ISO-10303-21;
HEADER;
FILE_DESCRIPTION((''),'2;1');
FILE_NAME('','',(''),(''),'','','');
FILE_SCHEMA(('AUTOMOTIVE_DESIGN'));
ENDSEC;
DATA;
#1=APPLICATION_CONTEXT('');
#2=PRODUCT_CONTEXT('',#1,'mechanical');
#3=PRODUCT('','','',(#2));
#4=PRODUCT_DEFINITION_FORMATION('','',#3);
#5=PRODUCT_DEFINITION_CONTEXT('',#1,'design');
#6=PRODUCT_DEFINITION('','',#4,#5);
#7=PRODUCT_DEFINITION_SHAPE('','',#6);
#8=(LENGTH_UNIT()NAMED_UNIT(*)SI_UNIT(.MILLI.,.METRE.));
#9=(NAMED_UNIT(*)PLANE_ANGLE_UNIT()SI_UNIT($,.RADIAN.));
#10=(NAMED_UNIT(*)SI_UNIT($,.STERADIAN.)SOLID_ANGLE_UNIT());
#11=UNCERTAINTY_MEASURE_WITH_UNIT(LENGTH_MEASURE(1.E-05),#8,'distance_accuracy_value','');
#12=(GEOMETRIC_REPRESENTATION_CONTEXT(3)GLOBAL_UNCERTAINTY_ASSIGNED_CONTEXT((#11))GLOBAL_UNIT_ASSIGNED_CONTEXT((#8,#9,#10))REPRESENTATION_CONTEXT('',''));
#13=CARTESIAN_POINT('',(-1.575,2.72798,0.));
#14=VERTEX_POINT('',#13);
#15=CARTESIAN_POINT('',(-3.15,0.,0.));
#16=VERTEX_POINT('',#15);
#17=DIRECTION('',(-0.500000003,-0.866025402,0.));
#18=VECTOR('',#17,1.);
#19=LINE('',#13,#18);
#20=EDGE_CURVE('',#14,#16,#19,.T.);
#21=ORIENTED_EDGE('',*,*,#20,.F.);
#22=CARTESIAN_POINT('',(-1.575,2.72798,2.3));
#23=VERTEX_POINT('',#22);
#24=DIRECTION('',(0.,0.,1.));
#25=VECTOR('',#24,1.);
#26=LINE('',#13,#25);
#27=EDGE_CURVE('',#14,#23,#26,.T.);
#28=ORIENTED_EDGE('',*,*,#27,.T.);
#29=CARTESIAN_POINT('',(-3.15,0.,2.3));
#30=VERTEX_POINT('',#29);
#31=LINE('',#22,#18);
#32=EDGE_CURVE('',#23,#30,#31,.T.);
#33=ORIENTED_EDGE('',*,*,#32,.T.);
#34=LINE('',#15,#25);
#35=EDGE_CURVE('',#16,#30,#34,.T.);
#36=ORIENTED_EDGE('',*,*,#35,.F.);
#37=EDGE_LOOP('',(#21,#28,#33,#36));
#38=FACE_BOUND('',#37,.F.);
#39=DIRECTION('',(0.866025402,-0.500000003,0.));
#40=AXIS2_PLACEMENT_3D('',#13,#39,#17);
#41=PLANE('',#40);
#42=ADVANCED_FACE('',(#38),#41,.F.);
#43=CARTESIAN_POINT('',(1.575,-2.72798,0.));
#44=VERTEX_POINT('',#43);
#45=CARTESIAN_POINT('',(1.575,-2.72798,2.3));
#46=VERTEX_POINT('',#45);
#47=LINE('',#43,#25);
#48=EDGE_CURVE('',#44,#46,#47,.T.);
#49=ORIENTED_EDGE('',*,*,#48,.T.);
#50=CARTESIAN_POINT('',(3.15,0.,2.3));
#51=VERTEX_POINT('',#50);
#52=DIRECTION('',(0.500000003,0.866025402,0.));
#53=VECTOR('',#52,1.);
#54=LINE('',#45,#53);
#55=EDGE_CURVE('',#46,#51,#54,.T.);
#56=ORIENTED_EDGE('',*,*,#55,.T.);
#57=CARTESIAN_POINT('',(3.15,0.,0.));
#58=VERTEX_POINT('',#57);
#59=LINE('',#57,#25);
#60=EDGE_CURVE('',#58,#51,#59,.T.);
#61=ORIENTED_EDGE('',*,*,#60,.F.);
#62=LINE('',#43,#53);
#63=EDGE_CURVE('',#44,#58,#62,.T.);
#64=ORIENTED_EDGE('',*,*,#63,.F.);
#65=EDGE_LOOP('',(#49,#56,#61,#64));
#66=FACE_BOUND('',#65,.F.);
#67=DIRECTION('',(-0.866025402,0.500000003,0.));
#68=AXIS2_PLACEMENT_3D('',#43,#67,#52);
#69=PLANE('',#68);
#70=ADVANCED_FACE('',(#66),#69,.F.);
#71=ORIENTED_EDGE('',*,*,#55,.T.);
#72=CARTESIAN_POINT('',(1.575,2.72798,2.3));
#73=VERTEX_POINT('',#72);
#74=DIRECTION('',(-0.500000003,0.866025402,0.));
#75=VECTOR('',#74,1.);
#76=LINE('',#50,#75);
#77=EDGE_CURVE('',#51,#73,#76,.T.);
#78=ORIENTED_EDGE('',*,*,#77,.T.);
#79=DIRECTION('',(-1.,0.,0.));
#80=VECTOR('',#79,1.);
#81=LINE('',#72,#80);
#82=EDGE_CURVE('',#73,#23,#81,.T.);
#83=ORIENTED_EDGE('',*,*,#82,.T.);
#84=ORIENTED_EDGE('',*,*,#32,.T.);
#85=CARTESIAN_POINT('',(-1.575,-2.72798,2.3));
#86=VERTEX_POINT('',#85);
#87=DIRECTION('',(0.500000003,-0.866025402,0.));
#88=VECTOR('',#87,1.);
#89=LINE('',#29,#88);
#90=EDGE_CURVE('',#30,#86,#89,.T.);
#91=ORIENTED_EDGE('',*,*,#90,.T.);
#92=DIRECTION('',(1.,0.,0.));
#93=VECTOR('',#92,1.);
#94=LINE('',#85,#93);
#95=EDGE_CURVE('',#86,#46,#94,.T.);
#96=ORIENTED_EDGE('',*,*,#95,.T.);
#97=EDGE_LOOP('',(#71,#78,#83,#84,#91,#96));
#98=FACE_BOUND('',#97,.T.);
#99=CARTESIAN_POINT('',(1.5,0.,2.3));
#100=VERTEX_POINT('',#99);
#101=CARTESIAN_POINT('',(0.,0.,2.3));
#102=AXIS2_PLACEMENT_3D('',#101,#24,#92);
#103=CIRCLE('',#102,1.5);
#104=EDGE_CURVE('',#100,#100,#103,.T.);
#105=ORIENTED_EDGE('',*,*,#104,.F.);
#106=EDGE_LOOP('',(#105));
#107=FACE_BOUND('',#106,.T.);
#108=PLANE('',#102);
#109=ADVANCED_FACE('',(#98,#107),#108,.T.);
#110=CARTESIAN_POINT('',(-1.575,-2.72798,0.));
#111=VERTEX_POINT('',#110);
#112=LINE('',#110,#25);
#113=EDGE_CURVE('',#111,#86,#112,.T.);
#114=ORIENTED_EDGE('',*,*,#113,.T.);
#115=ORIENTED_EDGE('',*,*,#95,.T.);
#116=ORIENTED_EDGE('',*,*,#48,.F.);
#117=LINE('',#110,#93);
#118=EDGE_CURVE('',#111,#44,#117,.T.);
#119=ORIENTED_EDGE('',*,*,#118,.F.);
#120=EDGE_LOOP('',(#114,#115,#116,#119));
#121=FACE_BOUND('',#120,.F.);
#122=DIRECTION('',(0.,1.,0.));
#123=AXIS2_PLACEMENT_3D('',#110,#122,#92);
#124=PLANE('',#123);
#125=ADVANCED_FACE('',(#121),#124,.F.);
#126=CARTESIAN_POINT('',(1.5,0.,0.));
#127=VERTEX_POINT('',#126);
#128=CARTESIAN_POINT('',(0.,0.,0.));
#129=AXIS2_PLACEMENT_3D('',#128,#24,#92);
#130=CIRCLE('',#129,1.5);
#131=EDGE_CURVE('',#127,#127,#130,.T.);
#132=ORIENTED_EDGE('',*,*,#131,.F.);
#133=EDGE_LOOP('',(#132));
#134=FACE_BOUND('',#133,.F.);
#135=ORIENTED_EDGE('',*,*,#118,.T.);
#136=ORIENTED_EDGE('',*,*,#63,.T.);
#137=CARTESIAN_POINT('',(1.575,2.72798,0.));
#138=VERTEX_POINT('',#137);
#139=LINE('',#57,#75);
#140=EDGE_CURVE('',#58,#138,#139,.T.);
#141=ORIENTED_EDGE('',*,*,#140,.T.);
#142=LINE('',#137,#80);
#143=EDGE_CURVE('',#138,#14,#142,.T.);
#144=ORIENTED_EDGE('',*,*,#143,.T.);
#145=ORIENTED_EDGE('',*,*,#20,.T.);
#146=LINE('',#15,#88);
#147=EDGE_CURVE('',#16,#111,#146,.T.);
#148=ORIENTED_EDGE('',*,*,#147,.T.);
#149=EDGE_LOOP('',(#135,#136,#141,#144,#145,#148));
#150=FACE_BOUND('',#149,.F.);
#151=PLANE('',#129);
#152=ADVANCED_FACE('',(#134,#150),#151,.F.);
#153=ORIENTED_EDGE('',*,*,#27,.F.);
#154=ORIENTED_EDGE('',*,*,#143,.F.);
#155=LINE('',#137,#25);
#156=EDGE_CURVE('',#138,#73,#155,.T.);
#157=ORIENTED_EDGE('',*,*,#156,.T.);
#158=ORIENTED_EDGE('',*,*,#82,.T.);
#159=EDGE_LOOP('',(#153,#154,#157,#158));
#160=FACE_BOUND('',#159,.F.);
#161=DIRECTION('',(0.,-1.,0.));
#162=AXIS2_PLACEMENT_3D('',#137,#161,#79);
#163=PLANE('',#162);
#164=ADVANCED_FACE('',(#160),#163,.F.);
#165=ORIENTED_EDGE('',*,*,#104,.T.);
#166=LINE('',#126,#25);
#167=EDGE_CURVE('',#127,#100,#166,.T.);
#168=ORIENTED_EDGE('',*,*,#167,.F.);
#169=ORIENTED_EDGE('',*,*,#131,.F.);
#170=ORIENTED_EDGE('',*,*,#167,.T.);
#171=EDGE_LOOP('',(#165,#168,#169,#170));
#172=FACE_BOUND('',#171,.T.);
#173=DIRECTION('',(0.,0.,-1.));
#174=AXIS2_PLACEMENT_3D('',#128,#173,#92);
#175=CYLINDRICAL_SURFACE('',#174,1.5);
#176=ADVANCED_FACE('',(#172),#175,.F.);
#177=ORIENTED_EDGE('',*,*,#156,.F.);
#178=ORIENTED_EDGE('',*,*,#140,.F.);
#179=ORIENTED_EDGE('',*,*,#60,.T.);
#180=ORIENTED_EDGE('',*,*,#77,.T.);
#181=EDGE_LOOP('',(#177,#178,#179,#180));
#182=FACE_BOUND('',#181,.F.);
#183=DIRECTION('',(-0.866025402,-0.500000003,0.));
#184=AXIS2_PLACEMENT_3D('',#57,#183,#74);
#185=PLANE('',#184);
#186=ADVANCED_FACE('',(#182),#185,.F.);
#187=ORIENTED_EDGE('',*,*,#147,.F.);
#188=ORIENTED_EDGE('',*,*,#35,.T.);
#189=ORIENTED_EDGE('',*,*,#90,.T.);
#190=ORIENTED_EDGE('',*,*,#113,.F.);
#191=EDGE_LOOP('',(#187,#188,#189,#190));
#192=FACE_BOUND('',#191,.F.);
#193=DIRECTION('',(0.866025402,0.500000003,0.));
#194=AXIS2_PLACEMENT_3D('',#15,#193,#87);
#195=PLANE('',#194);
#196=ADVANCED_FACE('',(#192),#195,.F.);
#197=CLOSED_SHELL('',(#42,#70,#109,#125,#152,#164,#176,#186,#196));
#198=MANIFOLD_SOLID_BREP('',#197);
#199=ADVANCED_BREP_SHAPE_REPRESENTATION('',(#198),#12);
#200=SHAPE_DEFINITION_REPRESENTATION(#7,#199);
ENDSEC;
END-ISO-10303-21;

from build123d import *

# Parameters (mm, degrees)
SKETCH_R  = 1.5
PAD_DEPTH = 2.3


with BuildPart() as part:
    # Sketch → Pad (new body)
    with BuildSketch(Plane.XY):
        Polygon((1.575, -2.72798), (3.15, 0), (1.575, 2.72798), (-1.575, 2.72798), (-3.15, 0), (-1.575, -2.72798), align=None)
        Circle(SKETCH_R, mode=Mode.SUBTRACT)
    extrude(amount=PAD_DEPTH)


solid = part.part
